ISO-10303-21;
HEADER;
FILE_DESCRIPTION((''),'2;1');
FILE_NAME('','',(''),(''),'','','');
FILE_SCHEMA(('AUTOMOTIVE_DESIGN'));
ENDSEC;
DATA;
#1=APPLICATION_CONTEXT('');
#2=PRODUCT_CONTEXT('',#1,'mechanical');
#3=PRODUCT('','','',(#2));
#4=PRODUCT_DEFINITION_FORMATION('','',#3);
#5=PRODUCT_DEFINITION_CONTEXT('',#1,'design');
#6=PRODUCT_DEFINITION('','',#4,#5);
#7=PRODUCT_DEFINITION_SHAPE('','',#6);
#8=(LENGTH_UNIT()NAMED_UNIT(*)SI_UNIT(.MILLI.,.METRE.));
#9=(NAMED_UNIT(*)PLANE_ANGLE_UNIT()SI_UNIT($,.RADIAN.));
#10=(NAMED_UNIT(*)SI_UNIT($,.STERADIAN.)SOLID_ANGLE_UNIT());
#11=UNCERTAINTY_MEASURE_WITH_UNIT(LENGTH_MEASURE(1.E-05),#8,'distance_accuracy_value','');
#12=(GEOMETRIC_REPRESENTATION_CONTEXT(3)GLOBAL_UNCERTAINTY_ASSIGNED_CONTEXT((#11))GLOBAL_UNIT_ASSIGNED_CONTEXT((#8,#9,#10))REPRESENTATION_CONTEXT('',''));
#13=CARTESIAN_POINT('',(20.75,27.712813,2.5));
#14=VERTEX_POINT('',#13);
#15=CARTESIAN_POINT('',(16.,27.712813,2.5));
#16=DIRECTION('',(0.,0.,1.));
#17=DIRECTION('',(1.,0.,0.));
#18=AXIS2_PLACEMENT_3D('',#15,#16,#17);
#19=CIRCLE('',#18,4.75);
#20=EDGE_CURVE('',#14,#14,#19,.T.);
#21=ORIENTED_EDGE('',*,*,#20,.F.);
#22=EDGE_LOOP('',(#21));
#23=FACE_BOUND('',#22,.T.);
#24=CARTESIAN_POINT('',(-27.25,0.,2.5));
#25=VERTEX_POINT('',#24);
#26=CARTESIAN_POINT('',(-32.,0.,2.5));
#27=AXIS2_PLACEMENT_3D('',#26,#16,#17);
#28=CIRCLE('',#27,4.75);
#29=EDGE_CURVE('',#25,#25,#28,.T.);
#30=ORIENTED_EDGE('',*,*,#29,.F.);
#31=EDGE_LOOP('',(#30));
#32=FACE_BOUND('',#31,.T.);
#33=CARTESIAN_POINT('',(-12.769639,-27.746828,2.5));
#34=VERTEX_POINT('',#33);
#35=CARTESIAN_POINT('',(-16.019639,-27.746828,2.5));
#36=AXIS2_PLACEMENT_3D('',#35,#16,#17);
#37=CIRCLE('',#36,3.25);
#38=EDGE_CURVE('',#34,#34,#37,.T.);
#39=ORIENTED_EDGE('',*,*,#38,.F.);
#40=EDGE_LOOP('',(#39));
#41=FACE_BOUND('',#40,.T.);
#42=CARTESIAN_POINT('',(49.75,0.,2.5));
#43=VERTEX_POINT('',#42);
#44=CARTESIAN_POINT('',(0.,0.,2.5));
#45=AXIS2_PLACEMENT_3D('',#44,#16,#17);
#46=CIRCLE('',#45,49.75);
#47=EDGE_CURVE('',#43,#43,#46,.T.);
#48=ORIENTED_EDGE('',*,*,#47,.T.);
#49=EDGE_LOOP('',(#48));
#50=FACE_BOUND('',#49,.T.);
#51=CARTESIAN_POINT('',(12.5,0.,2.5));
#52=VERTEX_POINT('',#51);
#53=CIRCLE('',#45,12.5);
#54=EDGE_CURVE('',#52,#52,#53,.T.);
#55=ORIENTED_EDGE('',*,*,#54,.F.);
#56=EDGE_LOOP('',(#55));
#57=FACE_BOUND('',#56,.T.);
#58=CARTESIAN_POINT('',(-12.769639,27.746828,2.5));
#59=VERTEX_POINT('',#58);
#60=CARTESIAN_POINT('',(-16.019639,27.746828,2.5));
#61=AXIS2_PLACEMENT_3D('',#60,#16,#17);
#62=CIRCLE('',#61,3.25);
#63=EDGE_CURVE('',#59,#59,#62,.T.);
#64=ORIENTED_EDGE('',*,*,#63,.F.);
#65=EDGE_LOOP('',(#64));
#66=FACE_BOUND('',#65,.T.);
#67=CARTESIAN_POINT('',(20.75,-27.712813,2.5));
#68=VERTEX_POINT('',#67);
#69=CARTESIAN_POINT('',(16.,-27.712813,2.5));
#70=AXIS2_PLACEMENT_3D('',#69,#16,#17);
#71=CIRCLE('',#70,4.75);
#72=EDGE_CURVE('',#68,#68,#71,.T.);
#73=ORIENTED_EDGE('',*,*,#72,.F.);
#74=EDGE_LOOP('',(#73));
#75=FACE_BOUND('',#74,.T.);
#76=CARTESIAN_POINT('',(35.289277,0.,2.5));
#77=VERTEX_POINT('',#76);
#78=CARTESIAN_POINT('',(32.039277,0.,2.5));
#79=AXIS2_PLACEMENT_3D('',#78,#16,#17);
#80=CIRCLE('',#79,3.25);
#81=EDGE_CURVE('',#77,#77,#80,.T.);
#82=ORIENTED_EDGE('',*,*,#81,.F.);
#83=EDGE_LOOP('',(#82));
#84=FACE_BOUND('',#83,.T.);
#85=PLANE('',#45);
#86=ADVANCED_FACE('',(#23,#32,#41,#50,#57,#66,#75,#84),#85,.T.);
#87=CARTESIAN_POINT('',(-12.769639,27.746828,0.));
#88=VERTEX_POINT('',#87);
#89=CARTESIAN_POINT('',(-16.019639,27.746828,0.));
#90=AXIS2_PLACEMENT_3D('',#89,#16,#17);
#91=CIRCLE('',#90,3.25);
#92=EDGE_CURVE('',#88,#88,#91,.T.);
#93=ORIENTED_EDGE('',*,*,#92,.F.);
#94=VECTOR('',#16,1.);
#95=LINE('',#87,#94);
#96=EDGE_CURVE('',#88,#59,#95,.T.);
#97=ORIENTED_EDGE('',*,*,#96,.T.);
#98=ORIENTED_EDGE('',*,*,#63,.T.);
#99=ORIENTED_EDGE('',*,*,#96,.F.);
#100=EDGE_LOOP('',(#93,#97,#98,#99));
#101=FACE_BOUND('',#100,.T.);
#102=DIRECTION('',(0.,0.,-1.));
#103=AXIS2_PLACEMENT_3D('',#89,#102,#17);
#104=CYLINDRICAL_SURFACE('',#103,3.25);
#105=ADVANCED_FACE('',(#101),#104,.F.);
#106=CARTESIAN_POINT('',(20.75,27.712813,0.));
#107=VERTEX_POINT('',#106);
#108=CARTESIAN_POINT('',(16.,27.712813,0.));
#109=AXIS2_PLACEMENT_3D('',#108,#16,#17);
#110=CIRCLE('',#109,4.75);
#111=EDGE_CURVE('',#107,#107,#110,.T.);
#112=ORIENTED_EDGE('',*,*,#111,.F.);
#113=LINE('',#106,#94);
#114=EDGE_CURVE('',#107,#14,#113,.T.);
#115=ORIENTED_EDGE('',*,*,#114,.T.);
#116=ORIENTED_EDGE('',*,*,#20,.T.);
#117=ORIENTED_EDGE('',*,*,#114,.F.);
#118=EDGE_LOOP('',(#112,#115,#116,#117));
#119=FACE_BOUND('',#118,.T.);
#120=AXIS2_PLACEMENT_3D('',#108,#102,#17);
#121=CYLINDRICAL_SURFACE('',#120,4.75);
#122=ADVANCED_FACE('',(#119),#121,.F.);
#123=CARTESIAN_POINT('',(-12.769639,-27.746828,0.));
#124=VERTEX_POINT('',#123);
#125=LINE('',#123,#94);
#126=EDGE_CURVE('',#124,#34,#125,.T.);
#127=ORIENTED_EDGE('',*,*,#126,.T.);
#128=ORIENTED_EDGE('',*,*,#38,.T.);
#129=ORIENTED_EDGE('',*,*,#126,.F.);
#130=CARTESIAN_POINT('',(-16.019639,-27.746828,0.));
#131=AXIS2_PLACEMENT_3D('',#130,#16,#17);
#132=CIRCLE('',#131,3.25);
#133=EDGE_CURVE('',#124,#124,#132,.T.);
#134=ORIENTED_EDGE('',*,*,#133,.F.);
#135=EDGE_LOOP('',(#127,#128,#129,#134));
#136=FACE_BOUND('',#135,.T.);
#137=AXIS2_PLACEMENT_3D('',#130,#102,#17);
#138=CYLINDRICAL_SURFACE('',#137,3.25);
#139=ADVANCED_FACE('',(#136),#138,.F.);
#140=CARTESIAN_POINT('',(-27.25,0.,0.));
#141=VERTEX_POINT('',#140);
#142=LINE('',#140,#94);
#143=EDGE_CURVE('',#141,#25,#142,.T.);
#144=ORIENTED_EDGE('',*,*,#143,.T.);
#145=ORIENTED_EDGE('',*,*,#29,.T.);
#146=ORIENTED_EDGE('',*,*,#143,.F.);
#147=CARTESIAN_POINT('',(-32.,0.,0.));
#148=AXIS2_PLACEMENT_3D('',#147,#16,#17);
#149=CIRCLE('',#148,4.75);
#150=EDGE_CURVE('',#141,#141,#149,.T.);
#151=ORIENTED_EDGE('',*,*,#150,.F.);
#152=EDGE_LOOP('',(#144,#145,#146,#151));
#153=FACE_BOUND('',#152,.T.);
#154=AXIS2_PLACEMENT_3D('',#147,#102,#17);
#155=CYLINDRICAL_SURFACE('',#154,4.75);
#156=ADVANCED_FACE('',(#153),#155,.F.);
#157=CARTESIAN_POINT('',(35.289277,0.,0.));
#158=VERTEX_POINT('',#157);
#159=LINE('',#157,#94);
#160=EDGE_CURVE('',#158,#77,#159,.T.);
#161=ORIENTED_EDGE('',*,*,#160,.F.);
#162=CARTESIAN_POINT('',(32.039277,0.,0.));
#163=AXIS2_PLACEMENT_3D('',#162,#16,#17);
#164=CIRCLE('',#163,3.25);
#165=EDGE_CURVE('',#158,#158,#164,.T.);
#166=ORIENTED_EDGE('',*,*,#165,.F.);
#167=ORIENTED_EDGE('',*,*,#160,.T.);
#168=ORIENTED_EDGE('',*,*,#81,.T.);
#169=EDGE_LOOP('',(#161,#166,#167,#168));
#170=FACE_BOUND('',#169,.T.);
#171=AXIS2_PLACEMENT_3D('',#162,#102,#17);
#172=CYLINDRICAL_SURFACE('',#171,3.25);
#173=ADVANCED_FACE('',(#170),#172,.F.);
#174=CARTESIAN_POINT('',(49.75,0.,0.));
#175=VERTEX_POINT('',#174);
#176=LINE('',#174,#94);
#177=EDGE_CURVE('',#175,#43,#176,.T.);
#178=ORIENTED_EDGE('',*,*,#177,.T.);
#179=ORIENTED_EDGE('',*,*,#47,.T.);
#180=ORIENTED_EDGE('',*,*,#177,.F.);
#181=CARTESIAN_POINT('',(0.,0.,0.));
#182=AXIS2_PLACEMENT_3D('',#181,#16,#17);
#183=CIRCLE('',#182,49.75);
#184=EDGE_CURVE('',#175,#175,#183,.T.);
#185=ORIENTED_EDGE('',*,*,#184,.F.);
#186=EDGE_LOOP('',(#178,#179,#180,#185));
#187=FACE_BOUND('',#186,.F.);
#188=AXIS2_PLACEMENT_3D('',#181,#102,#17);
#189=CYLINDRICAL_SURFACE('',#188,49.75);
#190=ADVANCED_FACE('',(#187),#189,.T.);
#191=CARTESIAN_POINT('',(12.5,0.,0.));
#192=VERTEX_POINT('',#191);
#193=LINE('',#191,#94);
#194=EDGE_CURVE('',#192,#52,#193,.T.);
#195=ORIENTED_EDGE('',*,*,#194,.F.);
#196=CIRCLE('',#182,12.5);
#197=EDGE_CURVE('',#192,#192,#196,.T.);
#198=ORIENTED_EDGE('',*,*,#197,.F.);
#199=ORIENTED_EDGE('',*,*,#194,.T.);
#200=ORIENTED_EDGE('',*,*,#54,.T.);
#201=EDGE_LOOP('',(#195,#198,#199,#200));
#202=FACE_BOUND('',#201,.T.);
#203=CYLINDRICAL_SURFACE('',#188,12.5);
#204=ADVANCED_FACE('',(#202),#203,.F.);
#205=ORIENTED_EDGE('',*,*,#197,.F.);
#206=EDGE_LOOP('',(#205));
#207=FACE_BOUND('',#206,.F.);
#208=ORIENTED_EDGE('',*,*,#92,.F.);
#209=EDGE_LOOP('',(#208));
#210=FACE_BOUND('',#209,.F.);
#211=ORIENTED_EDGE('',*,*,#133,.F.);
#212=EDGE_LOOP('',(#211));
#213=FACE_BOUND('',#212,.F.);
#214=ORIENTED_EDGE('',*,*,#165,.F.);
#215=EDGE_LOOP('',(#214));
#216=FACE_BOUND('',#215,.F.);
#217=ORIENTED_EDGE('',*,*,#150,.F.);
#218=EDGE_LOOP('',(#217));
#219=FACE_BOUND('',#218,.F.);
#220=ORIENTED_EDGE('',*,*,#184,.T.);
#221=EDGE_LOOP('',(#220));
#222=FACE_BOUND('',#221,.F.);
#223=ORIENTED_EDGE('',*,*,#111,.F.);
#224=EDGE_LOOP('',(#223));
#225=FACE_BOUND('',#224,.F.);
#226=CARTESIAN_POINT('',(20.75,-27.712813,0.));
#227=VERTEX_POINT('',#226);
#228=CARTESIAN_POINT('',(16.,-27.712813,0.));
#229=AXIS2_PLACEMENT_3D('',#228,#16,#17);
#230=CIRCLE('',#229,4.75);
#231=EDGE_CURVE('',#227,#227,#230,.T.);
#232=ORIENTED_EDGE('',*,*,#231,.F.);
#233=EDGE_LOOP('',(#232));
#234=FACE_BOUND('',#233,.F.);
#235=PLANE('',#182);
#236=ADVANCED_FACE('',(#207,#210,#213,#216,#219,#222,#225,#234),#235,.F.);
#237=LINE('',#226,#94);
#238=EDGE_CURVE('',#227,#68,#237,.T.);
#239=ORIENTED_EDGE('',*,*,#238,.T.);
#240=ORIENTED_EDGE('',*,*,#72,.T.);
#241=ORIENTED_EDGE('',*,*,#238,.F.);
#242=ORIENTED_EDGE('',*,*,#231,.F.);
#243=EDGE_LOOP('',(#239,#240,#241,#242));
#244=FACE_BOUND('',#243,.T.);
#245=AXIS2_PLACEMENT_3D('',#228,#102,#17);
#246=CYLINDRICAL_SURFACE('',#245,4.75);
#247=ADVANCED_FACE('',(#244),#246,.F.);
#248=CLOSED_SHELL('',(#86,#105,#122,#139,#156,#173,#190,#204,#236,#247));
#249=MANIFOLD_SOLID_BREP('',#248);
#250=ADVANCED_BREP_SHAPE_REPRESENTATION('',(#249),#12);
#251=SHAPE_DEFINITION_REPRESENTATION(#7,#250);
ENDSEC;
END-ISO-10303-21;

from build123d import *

# Parameters (mm, degrees)
F0_R     = 49.75
F0_R_2   = 3.25
F0_R_3   = 4.75
F0_R_4   = 12.5
F1_DEPTH = 2.5


with BuildPart() as f1:
    # F0 (on Top) → F1 (new body)
    with BuildSketch(Plane.XY):
        Circle(F0_R)
        with Locations((-16.019639, -27.746828)):
            Circle(F0_R_2, mode=Mode.SUBTRACT)
        with Locations((16, -27.712813)):
            Circle(F0_R_3, mode=Mode.SUBTRACT)
        with Locations((-32, 0)):
            Circle(F0_R_3, mode=Mode.SUBTRACT)
        with Locations((-16.019639, 27.746828)):
            Circle(F0_R_2, mode=Mode.SUBTRACT)
        Circle(F0_R_4, mode=Mode.SUBTRACT)
        with Locations((32.039277, 0)):
            Circle(F0_R_2, mode=Mode.SUBTRACT)
        with Locations((16, 27.712813)):
            Circle(F0_R_3, mode=Mode.SUBTRACT)
    extrude(amount=F1_DEPTH)


solid = f1.part
